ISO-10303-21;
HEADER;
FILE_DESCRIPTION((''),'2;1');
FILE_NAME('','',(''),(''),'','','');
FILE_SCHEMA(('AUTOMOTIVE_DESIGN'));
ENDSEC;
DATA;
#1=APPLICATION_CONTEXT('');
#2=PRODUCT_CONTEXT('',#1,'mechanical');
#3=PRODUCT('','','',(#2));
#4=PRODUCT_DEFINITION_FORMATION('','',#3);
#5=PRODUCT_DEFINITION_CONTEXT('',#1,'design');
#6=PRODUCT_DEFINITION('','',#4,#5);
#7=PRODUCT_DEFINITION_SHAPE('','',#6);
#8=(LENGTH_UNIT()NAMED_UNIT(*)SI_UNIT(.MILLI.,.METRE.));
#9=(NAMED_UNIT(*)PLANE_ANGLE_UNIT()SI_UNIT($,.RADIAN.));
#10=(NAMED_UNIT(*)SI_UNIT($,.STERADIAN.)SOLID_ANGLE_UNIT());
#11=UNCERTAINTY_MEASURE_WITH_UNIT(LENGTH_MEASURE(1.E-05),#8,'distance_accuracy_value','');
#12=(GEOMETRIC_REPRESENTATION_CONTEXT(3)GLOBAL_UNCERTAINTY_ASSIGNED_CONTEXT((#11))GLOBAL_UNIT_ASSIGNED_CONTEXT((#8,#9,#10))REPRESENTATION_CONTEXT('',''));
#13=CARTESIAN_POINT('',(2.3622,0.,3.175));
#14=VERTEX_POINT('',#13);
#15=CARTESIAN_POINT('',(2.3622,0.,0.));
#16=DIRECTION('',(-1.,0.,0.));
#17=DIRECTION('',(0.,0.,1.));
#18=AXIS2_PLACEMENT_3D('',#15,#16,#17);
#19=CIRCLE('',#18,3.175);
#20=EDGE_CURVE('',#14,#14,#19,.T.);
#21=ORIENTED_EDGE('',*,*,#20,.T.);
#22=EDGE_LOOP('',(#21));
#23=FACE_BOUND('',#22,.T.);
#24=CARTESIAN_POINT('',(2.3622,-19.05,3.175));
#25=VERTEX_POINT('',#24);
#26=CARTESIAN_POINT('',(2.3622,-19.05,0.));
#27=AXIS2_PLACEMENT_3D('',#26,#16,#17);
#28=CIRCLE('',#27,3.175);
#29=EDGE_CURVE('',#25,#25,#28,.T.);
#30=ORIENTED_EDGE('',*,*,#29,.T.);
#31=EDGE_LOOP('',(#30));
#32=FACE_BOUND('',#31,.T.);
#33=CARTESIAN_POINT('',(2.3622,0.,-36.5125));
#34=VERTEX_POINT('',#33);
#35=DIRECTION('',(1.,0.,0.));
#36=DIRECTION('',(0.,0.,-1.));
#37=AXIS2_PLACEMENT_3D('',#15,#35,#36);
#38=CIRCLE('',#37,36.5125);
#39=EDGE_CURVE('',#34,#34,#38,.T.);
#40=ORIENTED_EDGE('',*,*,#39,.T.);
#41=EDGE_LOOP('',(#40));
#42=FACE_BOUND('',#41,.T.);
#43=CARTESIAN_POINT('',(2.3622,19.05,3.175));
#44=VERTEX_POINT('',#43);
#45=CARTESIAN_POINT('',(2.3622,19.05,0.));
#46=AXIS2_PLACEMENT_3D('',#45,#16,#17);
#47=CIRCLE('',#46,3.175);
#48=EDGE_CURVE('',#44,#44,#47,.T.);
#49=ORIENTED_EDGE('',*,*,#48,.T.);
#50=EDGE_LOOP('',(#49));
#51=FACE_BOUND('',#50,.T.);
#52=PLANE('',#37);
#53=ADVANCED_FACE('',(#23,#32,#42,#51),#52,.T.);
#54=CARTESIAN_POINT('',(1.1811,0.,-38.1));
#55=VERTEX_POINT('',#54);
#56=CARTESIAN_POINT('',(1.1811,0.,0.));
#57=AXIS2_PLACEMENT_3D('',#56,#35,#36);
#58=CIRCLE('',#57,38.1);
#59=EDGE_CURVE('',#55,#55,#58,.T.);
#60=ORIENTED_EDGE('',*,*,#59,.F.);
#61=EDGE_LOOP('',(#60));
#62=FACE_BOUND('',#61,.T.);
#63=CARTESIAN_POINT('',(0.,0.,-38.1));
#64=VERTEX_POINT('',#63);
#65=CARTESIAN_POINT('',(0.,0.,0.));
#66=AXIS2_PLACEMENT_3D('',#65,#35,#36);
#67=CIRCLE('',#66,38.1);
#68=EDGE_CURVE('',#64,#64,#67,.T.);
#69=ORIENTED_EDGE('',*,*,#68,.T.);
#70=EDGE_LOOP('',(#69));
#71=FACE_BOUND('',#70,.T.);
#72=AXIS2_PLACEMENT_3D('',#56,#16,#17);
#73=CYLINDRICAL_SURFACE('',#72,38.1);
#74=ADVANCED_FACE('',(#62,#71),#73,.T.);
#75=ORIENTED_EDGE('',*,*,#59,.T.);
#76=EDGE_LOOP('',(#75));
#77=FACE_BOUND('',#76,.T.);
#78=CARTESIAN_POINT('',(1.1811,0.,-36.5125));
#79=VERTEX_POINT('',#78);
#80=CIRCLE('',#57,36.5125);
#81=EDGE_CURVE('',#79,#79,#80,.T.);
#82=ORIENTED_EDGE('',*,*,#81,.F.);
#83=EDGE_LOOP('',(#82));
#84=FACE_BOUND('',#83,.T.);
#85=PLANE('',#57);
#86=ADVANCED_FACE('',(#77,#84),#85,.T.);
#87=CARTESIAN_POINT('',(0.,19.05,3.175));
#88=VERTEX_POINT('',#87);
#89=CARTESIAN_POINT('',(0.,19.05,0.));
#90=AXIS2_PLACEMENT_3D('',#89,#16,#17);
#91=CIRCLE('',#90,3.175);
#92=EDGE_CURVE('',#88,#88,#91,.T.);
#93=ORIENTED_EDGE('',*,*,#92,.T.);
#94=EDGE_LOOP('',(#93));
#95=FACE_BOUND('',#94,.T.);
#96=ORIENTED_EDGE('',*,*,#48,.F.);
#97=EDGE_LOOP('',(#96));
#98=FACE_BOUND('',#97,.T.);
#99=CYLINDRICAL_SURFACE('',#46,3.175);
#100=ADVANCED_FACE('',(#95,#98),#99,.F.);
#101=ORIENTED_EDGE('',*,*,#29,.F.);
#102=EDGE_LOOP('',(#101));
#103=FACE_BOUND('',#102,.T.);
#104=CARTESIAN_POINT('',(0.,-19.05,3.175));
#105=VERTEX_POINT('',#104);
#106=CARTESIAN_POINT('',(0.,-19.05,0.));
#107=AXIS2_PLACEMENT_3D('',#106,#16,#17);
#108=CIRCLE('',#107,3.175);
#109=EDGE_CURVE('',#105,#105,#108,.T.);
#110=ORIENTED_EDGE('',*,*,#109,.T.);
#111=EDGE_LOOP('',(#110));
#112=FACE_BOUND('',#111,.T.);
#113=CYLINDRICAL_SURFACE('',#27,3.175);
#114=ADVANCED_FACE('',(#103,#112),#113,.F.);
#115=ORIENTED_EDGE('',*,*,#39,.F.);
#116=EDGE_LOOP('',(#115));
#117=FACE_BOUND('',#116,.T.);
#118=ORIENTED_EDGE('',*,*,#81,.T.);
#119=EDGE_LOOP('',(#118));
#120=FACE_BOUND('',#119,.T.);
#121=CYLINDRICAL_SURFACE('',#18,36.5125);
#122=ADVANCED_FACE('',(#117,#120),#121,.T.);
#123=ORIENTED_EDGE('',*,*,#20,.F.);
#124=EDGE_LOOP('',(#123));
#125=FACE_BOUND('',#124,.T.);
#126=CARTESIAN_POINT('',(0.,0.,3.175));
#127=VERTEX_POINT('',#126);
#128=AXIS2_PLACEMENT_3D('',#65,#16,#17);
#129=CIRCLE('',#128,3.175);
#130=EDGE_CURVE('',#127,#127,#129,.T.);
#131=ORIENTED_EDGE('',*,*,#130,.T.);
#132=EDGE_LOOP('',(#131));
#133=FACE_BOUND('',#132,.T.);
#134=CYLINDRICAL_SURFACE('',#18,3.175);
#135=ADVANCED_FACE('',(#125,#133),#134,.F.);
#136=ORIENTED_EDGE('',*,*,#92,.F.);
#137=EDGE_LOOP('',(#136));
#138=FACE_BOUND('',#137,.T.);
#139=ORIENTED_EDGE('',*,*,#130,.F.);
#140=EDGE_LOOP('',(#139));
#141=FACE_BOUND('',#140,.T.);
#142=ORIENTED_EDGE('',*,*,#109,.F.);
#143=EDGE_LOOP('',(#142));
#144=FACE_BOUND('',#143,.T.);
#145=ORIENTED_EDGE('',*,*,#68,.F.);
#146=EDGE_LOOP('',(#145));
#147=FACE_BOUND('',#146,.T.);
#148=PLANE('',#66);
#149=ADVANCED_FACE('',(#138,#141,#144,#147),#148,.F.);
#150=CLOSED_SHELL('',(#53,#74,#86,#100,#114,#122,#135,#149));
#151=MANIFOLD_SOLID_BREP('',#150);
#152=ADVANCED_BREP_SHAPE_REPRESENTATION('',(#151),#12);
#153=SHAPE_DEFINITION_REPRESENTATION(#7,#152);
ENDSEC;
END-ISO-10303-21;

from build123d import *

# Parameters (mm, degrees)
SKETCH1_R           = 38.1
BOSS_EXTRUDE1_DEPTH = 1.1811
SKETCH2_R           = 36.5125
BOSS_EXTRUDE2_DEPTH = 1.1811
SKETCH3_R           = 3.175
CUT_EXTRUDE1_DEPTH  = 54.933292027


with BuildPart() as part:
    # Sketch1 → Boss-Extrude1 (new body)
    with BuildSketch(Plane.YZ):
        with Locations(Location((0, 0, 0), (0, 0, 270))):
            Circle(SKETCH1_R)
    extrude(amount=BOSS_EXTRUDE1_DEPTH)

    # Sketch2 → Boss-Extrude2 (add)
    with BuildSketch(Plane.YZ.offset(1.1811)):
        with Locations(Location((0, 0, 0), (0, 0, 270))):
            Circle(SKETCH2_R)
    extrude(amount=BOSS_EXTRUDE2_DEPTH)

    # Sketch3 → Cut-Extrude1 (cut, through all)
    with BuildSketch(Plane(origin=(0, 0, 0), x_dir=(0, -1, 0), z_dir=(-1, 0, 0))):
        with Locations(Location((0, 0, 0), (0, 0, 90))):
            Circle(SKETCH3_R)
        with Locations(Location((19.05, 0, 0), (0, 0, 90))):
            Circle(SKETCH3_R)
        with Locations(Location((-19.05, 0, 0), (0, 0, 90))):
            Circle(SKETCH3_R)
    extrude(amount=-CUT_EXTRUDE1_DEPTH, mode=Mode.SUBTRACT)


solid = part.part
